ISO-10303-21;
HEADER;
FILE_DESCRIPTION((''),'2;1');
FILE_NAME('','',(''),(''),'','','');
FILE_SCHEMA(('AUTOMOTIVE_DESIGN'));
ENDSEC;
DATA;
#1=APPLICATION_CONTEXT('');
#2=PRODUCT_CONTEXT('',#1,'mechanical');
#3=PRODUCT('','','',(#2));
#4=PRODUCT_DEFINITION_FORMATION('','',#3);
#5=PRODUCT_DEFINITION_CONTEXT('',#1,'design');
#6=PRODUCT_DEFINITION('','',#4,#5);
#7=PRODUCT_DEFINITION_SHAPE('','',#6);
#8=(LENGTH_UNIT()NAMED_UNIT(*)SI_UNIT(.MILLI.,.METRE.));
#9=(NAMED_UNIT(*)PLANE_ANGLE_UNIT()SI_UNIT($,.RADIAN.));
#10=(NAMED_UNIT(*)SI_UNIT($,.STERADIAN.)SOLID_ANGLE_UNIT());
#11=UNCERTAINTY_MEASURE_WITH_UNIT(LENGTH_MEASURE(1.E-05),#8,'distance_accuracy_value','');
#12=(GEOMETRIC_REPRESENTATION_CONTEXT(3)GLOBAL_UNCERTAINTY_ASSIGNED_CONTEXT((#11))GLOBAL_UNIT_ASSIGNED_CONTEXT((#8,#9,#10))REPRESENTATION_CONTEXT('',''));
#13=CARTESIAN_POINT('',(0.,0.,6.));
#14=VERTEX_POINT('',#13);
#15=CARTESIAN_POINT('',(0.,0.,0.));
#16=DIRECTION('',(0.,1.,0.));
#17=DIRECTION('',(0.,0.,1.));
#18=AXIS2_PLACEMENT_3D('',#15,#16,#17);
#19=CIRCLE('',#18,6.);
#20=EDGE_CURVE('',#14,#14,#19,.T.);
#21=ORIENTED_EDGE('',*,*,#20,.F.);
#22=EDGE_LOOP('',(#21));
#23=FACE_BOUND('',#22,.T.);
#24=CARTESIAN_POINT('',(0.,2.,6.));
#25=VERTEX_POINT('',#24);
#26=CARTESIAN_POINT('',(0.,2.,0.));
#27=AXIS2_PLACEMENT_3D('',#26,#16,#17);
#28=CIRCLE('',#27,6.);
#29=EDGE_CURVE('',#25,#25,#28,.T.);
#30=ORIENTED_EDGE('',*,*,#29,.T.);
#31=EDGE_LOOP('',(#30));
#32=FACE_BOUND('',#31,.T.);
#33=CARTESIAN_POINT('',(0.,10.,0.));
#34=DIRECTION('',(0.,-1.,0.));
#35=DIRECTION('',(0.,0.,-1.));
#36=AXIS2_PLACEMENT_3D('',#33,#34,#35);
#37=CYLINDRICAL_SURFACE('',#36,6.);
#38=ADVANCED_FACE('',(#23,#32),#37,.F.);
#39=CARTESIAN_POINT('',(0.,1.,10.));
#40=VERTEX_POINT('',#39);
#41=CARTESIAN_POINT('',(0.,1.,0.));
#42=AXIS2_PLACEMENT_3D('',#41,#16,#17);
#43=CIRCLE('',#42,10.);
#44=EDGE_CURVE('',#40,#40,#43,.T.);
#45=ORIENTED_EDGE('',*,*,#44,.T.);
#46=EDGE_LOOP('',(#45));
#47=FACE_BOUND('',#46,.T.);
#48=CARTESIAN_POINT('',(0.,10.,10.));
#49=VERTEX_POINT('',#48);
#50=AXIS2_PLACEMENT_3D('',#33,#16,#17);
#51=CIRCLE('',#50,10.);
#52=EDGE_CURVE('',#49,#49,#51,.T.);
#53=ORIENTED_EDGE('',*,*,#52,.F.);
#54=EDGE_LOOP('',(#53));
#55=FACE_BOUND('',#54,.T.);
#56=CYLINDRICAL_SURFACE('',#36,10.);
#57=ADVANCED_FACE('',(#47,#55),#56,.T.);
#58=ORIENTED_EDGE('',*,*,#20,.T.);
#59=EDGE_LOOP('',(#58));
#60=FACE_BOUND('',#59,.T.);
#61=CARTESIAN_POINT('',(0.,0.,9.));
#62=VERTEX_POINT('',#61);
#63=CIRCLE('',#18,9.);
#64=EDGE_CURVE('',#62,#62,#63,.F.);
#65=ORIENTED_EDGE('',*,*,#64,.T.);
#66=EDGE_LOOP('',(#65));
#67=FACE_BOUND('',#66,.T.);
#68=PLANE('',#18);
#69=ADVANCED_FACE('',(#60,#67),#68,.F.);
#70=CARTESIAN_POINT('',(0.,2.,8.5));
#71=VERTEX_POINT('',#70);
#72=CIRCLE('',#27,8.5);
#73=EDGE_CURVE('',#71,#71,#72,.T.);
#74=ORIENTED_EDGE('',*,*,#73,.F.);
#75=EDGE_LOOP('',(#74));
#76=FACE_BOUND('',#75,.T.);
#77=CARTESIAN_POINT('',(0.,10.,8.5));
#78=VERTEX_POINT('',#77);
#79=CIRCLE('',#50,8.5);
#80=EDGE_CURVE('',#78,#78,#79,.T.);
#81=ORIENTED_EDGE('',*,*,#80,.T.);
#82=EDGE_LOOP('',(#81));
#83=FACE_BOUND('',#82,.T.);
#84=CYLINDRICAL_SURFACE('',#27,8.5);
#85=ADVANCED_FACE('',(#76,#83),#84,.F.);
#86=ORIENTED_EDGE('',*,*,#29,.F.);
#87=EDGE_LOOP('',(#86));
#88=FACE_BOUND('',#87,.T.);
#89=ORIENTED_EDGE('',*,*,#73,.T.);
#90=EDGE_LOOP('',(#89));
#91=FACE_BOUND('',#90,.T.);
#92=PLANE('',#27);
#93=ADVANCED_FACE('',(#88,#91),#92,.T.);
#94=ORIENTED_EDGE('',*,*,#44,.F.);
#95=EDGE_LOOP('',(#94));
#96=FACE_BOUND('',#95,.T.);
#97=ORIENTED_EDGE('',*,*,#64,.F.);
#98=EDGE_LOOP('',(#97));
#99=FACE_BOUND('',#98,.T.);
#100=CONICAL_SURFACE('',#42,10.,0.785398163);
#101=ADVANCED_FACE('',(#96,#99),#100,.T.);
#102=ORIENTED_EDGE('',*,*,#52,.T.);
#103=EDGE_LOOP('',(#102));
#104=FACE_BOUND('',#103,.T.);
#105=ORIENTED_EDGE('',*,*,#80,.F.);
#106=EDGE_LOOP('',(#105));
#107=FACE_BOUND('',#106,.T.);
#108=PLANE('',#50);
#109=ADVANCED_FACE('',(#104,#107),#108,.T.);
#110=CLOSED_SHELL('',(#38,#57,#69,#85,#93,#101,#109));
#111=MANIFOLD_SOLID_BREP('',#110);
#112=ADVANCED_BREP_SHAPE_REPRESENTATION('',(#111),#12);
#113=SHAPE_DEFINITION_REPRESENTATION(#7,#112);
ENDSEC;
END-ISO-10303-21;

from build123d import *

# Parameters (mm, degrees)
SKETCH2_R           = 10
SKETCH2_R_2         = 6
BOSS_EXTRUDE1_DEPTH = 10
SKETCH3_R           = 8.5
CUT_EXTRUDE1_DEPTH  = 8
CHAMFER1_SIZE       = 1


with BuildPart() as part:
    # Sketch2 → Boss-Extrude1 (new body)
    with BuildSketch(Plane(origin=(0, 0, 0), x_dir=(1, 0, 0), z_dir=(0, 1, 0))):
        with Locations(Location((0, 0, 0), (0, 0, 270))):
            Circle(SKETCH2_R)
        with Locations(Location((0, 0, 0), (0, 0, 270))):
            Circle(SKETCH2_R_2, mode=Mode.SUBTRACT)
    extrude(amount=BOSS_EXTRUDE1_DEPTH)

    # Sketch3 → Cut-Extrude1 (cut)
    with BuildSketch(Plane(origin=(0, 10, 0), x_dir=(1, 0, 0), z_dir=(0, 1, 0))):
        with Locations(Location((0, 0, 0), (0, 0, 270))):
            Circle(SKETCH3_R)
    extrude(amount=-CUT_EXTRUDE1_DEPTH, mode=Mode.SUBTRACT)

    # Chamfer1
    chamfer1_edges = [part.edges().sort_by_distance(p)[0] for p in [
        (0, 0, -10),
    ]]
    chamfer(chamfer1_edges, length=CHAMFER1_SIZE)


solid = part.part
